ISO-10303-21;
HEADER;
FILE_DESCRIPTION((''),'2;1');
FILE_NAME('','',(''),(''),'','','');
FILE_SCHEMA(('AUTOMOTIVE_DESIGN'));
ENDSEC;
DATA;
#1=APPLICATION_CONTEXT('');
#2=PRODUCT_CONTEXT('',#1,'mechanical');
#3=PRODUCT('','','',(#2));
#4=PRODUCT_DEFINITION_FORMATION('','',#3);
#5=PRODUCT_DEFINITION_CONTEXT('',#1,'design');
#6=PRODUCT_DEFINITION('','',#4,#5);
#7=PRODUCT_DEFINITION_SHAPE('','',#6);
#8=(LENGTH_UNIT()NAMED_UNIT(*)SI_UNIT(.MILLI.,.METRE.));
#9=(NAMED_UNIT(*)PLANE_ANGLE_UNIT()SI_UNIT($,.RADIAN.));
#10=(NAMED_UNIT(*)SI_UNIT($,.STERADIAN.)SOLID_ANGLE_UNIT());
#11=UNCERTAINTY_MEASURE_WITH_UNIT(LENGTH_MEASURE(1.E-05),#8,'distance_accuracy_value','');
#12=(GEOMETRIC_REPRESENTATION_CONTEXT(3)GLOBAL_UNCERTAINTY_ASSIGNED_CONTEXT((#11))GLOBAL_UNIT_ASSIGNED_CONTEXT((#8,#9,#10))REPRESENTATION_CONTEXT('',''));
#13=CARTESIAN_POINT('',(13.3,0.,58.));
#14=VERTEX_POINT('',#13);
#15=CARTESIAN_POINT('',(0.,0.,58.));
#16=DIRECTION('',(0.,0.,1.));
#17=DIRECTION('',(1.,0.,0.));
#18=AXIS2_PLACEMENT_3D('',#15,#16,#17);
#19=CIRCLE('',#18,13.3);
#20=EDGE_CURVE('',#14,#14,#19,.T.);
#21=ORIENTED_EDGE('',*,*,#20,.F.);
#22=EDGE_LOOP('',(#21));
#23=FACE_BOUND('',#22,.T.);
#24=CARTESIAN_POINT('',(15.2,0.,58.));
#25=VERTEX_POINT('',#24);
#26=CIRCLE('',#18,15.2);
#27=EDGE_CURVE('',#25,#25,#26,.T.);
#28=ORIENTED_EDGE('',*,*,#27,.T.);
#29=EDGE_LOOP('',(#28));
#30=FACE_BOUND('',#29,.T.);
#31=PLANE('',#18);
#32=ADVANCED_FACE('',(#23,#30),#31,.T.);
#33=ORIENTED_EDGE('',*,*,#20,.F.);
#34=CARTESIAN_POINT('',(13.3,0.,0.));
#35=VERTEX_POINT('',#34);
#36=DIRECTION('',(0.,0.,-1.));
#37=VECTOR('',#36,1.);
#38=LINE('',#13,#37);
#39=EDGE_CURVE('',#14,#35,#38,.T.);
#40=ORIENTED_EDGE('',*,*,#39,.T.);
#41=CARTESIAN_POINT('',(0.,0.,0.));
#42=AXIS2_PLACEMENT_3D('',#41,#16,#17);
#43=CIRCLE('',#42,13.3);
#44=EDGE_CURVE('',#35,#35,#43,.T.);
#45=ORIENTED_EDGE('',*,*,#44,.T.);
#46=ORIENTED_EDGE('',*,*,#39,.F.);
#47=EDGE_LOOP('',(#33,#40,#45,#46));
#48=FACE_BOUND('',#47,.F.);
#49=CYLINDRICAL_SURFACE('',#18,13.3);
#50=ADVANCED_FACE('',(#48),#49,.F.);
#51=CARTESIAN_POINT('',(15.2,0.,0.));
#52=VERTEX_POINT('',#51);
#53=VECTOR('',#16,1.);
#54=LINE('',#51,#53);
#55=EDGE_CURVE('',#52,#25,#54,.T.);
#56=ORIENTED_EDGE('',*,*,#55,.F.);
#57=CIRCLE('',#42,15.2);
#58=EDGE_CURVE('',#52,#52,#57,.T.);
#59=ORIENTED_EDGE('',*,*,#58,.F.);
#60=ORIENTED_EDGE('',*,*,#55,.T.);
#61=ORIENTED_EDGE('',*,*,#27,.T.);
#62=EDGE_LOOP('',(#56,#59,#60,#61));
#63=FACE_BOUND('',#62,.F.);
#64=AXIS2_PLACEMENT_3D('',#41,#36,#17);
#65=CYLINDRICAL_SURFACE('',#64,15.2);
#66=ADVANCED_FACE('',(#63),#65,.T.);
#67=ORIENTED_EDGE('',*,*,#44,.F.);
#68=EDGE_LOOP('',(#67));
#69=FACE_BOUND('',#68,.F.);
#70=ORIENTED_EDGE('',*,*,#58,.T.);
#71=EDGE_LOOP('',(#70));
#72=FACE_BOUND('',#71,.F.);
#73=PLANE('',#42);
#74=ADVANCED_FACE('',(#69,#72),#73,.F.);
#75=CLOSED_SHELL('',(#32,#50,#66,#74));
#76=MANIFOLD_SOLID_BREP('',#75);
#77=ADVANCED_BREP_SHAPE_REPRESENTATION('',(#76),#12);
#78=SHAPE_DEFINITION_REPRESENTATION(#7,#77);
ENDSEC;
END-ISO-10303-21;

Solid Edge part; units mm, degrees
sketch "Sketch1" plane through (0, 0, 0) normal (0, 0, 1) x (1, 0, 0)
  circle A0 centre (0, 0) radius 15.2
extrude "Protrusion1" add sketch "Sketch1" along normal blind 58
sketch "Sketch2" plane through (0, 0, 58) normal (0, 0, 1) x (1, 0, 0)
  circle A0 centre (0, 0) radius 13.3
extrude "ExtrudedCutout_1" cut sketch "Sketch2" against normal blind 58
properties material "Copper"
